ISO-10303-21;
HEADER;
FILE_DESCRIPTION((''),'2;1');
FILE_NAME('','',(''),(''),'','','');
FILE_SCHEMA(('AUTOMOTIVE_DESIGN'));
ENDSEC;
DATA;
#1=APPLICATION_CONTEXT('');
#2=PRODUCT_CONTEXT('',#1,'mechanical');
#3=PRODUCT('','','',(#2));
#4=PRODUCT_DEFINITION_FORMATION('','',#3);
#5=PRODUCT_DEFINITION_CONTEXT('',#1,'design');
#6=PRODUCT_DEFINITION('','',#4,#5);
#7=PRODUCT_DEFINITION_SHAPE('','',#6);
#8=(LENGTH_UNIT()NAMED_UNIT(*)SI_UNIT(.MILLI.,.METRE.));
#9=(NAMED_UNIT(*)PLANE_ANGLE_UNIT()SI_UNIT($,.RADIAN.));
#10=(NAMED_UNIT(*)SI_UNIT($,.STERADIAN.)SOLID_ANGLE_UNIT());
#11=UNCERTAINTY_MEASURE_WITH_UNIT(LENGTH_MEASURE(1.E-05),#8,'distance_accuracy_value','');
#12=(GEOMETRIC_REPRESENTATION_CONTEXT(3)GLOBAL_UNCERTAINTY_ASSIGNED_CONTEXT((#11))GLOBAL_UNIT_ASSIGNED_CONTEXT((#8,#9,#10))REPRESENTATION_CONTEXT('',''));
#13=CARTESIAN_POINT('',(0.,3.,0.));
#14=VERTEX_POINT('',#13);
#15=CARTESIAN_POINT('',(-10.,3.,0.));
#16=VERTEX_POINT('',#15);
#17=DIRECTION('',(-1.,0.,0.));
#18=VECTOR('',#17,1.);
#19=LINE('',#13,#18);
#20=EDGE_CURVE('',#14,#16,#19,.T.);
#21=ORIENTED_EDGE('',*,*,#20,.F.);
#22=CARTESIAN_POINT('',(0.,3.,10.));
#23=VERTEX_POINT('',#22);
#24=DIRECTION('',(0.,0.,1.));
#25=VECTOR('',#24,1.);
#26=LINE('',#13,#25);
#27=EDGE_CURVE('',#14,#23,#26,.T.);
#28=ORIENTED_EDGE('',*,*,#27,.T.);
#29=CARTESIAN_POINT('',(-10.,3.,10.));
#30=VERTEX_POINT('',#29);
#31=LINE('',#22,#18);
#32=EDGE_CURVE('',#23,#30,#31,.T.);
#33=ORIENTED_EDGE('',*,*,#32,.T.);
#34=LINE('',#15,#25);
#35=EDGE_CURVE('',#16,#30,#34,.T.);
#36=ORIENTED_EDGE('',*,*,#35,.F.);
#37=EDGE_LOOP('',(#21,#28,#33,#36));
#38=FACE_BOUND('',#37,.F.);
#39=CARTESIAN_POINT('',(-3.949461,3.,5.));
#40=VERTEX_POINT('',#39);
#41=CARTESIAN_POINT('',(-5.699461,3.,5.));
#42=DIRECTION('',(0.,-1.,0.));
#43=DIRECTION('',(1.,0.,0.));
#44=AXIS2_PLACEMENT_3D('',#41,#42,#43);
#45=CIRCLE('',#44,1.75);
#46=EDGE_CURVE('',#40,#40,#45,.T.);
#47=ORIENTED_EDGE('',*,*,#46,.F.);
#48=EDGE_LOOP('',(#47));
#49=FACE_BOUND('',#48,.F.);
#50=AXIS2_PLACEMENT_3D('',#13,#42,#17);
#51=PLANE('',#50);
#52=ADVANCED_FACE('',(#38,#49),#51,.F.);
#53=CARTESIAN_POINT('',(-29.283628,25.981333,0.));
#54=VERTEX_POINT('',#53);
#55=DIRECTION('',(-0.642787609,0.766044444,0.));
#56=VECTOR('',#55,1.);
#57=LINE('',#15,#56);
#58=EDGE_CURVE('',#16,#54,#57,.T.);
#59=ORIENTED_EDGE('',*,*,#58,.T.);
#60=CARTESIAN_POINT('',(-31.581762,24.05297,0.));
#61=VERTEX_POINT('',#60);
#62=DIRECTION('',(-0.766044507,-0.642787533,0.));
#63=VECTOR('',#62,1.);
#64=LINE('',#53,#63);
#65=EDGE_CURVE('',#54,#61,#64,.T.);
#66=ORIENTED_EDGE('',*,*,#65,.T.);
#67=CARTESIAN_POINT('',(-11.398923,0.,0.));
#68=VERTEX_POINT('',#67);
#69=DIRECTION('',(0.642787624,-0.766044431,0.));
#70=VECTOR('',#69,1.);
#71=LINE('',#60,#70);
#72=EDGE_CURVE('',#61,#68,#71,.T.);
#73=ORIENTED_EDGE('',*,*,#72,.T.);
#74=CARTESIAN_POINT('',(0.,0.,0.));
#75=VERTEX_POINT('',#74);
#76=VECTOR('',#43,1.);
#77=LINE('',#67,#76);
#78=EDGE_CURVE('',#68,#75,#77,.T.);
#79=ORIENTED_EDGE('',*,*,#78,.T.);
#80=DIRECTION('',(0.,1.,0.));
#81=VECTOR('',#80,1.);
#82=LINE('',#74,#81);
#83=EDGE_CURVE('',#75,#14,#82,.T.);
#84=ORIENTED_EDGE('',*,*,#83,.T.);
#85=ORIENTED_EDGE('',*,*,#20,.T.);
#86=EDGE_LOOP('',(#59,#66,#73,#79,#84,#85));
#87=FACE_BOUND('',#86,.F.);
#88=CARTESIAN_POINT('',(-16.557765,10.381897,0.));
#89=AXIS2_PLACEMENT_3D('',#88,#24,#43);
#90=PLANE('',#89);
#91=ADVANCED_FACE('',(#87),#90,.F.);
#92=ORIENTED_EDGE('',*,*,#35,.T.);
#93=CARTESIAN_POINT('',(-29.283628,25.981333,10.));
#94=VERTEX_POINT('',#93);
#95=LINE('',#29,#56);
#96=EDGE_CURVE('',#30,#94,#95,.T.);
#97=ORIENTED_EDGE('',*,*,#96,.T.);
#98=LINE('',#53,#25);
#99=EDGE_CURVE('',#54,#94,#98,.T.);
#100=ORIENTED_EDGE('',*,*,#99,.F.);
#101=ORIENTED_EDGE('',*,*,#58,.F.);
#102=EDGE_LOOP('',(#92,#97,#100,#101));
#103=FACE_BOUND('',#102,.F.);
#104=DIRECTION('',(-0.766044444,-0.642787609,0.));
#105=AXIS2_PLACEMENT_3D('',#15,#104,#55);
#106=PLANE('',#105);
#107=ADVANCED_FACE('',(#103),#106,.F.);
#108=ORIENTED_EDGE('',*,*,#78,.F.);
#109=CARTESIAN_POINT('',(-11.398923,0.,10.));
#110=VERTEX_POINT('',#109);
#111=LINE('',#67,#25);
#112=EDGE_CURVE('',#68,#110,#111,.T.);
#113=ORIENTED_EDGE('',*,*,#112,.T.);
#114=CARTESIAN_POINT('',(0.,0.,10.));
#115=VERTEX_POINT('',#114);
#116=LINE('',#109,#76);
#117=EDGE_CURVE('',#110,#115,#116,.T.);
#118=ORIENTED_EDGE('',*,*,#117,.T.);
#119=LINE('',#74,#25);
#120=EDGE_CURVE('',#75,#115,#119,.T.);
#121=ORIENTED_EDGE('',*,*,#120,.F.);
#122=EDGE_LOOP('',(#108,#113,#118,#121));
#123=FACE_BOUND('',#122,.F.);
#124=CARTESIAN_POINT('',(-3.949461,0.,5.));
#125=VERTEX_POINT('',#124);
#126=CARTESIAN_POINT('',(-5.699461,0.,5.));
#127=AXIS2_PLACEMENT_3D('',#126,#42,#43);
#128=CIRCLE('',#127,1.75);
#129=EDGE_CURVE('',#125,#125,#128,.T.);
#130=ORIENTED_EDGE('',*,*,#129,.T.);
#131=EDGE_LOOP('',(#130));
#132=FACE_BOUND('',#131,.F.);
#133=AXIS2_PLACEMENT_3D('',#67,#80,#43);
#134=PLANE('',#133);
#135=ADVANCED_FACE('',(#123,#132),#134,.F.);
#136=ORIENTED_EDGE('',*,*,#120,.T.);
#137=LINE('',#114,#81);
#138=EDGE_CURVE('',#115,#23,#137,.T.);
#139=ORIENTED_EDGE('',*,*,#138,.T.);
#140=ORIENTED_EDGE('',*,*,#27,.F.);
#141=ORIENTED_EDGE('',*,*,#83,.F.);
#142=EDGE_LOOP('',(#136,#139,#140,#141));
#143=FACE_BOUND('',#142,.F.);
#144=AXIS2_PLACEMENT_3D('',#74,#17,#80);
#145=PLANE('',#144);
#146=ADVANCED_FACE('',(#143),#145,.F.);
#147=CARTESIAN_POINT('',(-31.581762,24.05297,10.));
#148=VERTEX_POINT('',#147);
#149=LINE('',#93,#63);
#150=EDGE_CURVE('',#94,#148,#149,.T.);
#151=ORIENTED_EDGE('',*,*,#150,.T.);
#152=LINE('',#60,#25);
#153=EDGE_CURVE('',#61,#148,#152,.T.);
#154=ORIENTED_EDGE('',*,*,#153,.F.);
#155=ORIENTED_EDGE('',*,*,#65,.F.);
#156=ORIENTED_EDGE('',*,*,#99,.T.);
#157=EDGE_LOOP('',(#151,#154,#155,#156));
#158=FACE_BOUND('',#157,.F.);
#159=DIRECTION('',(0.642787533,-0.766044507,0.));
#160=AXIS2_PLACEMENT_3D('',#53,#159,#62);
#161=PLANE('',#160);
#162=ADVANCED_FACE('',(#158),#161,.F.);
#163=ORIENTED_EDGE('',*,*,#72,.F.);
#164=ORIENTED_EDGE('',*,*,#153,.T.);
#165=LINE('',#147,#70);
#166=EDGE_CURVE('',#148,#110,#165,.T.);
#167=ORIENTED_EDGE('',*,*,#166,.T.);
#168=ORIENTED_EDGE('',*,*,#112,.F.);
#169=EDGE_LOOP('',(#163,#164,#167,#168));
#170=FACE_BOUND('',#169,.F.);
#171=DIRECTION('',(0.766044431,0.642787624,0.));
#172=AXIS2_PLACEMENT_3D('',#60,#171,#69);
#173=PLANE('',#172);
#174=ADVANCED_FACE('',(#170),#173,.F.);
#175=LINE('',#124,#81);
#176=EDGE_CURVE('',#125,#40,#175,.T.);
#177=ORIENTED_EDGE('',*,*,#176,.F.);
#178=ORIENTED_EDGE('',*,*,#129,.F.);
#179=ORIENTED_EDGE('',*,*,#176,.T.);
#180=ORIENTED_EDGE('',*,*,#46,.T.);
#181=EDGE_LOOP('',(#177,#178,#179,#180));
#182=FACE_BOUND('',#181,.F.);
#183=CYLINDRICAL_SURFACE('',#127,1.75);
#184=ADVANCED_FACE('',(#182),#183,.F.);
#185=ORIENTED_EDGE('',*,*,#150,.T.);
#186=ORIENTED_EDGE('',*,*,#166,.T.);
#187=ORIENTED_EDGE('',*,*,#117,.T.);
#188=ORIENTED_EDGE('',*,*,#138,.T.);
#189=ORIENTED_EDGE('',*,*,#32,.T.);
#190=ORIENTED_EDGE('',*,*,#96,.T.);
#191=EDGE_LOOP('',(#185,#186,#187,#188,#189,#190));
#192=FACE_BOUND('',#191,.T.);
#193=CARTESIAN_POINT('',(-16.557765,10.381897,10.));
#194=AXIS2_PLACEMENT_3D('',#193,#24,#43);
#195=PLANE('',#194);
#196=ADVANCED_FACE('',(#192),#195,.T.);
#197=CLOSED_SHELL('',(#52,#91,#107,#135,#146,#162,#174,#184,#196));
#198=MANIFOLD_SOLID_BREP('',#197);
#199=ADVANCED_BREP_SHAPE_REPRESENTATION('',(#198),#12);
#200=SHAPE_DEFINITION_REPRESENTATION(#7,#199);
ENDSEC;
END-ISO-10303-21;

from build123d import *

# Parameters (mm, degrees)
F1_DEPTH = 10
F2_R     = 1.75
F3_DEPTH = 3


with BuildPart() as f1:
    # F0 (on Top) → F1 (new body)
    with BuildSketch(Plane.XY):
        Polygon((-11.398923, 0), (0, 0), (0, 3), (-10, 3), (-29.283628, 25.981333), (-31.581762, 24.05297), align=None)
    extrude(amount=F1_DEPTH)

    # F2 (on face) → F3 (cut)
    with BuildSketch(Plane.XZ):
        with Locations((-5.699461, 5)):
            Circle(F2_R)
    extrude(amount=-F3_DEPTH, mode=Mode.SUBTRACT)


solid = f1.part
